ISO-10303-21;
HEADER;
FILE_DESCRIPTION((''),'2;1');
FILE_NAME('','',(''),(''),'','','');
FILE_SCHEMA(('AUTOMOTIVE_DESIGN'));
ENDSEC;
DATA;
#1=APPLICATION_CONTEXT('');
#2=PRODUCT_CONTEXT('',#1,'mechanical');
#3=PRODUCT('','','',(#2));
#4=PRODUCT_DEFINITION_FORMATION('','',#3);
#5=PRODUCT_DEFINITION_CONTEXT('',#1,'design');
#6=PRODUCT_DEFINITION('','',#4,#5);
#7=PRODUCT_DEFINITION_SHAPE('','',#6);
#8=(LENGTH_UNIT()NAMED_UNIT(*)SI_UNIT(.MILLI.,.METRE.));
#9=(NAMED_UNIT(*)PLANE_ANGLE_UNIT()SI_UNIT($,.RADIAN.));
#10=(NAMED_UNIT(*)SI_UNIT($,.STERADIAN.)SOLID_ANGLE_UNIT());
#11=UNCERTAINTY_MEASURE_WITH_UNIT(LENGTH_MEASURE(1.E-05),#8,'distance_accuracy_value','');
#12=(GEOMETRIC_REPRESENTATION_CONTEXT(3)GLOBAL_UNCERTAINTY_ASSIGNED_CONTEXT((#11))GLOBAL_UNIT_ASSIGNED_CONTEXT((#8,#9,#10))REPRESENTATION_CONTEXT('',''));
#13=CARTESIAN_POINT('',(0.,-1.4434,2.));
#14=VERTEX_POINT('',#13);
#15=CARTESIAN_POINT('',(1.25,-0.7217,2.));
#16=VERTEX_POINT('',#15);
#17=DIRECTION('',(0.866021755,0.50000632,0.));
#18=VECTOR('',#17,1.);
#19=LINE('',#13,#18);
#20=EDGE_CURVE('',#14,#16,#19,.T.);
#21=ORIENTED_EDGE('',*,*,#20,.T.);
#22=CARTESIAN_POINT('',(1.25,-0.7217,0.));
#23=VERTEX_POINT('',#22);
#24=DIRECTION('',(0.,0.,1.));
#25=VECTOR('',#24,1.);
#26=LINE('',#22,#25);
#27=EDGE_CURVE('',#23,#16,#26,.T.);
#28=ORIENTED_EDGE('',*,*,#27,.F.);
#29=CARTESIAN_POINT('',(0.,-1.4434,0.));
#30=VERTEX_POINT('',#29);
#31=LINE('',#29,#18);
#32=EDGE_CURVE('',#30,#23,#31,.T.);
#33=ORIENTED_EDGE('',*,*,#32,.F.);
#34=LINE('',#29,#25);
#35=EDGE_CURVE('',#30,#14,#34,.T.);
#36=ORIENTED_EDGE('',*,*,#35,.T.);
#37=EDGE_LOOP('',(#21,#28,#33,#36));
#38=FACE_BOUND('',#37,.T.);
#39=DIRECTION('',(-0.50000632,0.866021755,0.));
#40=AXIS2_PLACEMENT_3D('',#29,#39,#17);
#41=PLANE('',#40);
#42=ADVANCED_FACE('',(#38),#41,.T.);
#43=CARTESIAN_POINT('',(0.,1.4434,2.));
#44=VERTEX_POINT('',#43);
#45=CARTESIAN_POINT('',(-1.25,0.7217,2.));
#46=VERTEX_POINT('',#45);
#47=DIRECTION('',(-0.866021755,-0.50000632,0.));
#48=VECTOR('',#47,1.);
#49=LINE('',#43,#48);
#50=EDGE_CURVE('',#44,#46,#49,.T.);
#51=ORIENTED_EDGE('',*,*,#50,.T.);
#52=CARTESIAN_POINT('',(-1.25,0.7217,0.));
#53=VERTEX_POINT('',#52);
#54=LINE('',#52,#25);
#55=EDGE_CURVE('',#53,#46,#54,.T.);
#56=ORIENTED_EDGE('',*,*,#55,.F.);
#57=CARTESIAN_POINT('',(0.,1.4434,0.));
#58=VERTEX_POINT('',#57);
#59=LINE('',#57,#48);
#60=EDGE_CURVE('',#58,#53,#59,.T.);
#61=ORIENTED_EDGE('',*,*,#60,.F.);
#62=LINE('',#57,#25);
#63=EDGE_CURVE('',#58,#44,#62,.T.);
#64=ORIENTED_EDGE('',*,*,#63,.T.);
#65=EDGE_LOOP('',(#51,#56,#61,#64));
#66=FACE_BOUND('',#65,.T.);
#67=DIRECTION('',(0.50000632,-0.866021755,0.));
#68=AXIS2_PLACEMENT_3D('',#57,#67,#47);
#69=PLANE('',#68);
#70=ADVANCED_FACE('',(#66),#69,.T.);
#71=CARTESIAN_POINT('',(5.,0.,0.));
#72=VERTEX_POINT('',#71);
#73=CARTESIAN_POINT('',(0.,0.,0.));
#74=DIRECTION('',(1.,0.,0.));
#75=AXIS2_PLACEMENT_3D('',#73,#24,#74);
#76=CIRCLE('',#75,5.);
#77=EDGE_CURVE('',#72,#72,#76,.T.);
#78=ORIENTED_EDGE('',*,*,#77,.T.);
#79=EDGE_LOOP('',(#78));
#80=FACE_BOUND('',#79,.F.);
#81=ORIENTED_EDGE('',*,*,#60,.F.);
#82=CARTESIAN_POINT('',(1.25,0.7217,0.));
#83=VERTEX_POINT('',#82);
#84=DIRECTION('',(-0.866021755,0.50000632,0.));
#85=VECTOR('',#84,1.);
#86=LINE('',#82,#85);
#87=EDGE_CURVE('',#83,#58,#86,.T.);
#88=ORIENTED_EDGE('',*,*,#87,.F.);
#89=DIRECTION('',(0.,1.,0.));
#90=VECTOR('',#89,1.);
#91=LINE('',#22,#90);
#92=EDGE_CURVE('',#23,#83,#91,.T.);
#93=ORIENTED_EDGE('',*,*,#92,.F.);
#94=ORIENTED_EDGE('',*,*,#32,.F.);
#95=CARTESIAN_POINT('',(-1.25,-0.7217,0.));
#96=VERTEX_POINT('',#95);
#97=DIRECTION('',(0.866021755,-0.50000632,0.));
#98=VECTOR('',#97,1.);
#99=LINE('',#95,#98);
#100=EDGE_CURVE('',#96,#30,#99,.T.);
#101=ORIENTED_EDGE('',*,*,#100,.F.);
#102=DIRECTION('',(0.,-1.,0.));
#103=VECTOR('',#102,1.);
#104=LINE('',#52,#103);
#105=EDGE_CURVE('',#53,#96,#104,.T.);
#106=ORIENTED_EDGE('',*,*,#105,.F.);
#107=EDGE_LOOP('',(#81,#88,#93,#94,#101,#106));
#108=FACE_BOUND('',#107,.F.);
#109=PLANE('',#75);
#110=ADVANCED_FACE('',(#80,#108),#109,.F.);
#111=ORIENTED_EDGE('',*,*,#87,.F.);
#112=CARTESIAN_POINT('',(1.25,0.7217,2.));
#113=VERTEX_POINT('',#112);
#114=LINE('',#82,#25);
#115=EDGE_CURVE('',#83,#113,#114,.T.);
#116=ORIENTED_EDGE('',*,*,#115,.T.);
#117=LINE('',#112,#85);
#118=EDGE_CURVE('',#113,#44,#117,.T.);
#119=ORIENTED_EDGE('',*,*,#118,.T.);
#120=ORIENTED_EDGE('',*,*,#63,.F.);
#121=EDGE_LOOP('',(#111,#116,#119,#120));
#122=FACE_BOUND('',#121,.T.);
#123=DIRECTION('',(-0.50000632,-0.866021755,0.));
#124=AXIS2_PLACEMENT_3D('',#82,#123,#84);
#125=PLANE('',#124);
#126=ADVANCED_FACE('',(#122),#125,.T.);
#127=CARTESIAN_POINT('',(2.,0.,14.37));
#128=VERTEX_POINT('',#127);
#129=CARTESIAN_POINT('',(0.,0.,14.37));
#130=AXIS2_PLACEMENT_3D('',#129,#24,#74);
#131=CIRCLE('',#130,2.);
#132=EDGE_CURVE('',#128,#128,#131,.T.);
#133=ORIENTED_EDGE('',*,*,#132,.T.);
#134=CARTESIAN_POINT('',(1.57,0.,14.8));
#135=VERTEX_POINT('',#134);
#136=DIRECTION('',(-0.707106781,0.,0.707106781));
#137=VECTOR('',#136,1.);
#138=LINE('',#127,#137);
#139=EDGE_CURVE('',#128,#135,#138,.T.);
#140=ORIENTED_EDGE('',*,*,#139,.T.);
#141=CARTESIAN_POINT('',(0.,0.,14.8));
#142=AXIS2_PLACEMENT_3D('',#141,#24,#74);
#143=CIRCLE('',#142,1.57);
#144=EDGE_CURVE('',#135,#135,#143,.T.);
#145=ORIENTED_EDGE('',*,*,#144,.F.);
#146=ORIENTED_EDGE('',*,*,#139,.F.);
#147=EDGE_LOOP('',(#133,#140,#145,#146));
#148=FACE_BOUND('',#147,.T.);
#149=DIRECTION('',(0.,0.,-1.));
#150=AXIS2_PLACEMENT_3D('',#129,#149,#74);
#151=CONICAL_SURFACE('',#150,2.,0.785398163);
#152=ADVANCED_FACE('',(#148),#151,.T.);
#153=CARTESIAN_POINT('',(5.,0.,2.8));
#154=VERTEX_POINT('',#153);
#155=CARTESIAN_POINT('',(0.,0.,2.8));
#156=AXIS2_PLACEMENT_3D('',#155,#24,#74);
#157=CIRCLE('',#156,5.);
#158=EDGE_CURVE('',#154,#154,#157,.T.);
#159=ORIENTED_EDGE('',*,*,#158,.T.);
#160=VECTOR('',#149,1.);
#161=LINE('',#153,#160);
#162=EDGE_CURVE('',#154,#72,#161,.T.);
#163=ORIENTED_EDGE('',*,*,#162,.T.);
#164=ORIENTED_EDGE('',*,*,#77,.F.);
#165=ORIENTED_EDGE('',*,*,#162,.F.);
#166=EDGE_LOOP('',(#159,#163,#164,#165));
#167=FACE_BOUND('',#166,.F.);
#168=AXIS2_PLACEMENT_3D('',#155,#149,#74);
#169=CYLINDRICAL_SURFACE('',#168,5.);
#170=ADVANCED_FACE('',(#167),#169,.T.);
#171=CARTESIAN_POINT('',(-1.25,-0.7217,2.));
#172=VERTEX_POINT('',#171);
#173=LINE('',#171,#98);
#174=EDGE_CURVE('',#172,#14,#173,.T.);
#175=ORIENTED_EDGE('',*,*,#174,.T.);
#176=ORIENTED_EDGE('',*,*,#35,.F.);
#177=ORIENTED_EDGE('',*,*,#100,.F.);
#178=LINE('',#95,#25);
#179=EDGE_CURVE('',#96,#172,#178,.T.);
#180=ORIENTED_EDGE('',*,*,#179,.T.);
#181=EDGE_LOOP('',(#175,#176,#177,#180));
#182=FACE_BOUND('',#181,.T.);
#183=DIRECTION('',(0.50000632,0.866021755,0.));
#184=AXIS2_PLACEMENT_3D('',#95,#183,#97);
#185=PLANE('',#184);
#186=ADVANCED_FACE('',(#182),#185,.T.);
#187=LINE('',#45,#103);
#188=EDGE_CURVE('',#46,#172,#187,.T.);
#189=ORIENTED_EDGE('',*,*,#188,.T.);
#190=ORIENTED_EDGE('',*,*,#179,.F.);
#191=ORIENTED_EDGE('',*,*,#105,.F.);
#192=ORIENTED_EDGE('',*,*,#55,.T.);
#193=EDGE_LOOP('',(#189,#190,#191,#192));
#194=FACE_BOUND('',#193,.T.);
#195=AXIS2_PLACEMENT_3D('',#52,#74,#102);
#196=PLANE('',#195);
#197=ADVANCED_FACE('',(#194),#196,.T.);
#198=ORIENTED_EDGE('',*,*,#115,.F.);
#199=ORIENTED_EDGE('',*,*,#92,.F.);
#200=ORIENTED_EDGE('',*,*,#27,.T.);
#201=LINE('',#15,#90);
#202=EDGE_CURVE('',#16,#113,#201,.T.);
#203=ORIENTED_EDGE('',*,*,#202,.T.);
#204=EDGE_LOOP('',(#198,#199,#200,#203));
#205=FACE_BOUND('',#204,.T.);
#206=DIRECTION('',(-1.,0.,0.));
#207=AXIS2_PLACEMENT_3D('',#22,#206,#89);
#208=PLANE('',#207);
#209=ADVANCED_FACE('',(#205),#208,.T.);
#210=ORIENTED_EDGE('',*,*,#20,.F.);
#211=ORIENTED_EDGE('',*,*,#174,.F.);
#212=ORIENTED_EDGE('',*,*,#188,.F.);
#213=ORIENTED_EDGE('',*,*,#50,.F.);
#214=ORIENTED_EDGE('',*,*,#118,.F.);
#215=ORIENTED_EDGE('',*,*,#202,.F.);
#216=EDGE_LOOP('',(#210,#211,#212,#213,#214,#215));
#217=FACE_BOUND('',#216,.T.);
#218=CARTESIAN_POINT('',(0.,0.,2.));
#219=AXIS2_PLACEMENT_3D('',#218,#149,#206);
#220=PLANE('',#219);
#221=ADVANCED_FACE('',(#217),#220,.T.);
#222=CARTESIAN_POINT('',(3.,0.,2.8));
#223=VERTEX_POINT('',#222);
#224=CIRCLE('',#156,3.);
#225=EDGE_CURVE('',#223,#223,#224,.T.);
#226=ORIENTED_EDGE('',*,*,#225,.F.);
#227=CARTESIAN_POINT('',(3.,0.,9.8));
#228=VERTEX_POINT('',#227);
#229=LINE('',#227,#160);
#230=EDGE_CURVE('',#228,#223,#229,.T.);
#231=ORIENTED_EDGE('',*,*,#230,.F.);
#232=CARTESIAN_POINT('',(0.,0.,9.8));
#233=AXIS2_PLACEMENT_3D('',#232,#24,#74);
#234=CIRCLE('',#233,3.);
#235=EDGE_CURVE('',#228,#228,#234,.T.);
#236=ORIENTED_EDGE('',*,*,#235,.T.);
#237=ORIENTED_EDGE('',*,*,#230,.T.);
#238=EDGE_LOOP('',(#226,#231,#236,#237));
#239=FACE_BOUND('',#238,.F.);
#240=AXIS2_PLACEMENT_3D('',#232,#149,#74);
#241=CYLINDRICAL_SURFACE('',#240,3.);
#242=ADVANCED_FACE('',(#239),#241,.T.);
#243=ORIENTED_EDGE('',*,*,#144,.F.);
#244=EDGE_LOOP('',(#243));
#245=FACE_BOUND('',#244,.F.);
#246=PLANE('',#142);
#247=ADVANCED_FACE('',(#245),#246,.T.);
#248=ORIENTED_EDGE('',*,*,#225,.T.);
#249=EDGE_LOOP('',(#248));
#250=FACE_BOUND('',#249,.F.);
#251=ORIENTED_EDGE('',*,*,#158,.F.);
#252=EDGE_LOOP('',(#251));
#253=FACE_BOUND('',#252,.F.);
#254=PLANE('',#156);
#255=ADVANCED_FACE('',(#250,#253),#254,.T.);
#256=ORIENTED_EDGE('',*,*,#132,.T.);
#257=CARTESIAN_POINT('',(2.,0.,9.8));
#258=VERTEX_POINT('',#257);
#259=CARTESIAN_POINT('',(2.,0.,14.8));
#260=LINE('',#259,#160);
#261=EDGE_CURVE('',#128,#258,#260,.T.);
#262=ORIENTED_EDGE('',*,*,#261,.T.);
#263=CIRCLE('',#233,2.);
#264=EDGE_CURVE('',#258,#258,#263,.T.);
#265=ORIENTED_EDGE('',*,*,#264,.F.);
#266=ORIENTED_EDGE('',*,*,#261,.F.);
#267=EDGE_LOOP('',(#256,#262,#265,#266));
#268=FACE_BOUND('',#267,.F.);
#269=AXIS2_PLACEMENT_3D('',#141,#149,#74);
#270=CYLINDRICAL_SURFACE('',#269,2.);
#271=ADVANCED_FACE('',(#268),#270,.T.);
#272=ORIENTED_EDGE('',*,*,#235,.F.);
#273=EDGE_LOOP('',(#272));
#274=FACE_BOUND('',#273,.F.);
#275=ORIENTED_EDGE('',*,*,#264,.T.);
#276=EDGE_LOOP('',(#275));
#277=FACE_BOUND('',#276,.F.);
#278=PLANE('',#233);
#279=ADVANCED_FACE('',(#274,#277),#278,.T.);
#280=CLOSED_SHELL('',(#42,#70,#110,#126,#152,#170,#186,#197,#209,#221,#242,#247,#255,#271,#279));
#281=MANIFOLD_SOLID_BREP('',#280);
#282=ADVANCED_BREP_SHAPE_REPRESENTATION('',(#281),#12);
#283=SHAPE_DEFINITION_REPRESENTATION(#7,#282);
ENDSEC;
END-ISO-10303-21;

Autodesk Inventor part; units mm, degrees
ref_plane "YZ Plane" through (0, 0, 0) normal (1, 0, 0) x (0, 1, 0)
ref_plane "XZ Plane" through (0, 0, 0) normal (0, 1, 0) x (-1, 0, 0)
ref_plane "XY Plane" through (0, 0, 0) normal (0, 0, 1) x (1, 0, 0)
sketch "Sketch1" plane through (0, 0, 0) normal (0, 1, 0) x (-1, 0, 0)
  line L0 (0, 0) -> (0, 14.8)
  line L1 (0, 14.8) -> (-2, 14.8)
  line L2 (-2, 14.8) -> (-2, 9.8)
  line L3 (-2, 9.8) -> (-3, 9.8)
  line L4 (-3, 9.8) -> (-3, 2.8)
  line L5 (-3, 2.8) -> (-5, 2.8)
  line L6 (-5, 2.8) -> (-5, 0)
  line L7 (-5, 0) -> (0, 0)
  dimension "d0" = 10
  dimension "d1" = 6
  dimension "d2" = 4
  dimension "d3" = 5
  dimension "d4" = 7
  dimension "d5" = 2.8
revolve "Revolution1" add sketch "Sketch1" angle 360 about axis through (0, 0, 0) along (0, 0, 1)
thread "Thread1" size "M4x0.7" class "6g" standard "ANSI Metric M Profile" length 6 offset 1.2
sketch "Sketch2" plane through (0, 0, 0) normal (0, 0, -1) x (-1, 0, 0)
  line L0 (0, 1.4434) -> (1.25, 0.7217)
  line L1 (1.25, 0.7217) -> (1.25, -0.7217)
  line L2 (1.25, -0.7217) -> (0, -1.4434)
  line L3 (0, -1.4434) -> (-1.25, -0.7217)
  line L4 (-1.25, -0.7217) -> (-1.25, 0.7217)
  line L5 (-1.25, 0.7217) -> (0, 1.4434)
  point P0 (0, 0)
  point P1 (0, 0)
  dimension "d9" = 2.5
extrude "Extrusion1" cut sketch "Sketch2" against normal blind 2
chamfer "Chamfer1" distance 0.43 angle 45 1 edges at (-2, 0, 14.8)
properties part number "DBSY4-7-5" material "Stainless Steel AISI 304"
